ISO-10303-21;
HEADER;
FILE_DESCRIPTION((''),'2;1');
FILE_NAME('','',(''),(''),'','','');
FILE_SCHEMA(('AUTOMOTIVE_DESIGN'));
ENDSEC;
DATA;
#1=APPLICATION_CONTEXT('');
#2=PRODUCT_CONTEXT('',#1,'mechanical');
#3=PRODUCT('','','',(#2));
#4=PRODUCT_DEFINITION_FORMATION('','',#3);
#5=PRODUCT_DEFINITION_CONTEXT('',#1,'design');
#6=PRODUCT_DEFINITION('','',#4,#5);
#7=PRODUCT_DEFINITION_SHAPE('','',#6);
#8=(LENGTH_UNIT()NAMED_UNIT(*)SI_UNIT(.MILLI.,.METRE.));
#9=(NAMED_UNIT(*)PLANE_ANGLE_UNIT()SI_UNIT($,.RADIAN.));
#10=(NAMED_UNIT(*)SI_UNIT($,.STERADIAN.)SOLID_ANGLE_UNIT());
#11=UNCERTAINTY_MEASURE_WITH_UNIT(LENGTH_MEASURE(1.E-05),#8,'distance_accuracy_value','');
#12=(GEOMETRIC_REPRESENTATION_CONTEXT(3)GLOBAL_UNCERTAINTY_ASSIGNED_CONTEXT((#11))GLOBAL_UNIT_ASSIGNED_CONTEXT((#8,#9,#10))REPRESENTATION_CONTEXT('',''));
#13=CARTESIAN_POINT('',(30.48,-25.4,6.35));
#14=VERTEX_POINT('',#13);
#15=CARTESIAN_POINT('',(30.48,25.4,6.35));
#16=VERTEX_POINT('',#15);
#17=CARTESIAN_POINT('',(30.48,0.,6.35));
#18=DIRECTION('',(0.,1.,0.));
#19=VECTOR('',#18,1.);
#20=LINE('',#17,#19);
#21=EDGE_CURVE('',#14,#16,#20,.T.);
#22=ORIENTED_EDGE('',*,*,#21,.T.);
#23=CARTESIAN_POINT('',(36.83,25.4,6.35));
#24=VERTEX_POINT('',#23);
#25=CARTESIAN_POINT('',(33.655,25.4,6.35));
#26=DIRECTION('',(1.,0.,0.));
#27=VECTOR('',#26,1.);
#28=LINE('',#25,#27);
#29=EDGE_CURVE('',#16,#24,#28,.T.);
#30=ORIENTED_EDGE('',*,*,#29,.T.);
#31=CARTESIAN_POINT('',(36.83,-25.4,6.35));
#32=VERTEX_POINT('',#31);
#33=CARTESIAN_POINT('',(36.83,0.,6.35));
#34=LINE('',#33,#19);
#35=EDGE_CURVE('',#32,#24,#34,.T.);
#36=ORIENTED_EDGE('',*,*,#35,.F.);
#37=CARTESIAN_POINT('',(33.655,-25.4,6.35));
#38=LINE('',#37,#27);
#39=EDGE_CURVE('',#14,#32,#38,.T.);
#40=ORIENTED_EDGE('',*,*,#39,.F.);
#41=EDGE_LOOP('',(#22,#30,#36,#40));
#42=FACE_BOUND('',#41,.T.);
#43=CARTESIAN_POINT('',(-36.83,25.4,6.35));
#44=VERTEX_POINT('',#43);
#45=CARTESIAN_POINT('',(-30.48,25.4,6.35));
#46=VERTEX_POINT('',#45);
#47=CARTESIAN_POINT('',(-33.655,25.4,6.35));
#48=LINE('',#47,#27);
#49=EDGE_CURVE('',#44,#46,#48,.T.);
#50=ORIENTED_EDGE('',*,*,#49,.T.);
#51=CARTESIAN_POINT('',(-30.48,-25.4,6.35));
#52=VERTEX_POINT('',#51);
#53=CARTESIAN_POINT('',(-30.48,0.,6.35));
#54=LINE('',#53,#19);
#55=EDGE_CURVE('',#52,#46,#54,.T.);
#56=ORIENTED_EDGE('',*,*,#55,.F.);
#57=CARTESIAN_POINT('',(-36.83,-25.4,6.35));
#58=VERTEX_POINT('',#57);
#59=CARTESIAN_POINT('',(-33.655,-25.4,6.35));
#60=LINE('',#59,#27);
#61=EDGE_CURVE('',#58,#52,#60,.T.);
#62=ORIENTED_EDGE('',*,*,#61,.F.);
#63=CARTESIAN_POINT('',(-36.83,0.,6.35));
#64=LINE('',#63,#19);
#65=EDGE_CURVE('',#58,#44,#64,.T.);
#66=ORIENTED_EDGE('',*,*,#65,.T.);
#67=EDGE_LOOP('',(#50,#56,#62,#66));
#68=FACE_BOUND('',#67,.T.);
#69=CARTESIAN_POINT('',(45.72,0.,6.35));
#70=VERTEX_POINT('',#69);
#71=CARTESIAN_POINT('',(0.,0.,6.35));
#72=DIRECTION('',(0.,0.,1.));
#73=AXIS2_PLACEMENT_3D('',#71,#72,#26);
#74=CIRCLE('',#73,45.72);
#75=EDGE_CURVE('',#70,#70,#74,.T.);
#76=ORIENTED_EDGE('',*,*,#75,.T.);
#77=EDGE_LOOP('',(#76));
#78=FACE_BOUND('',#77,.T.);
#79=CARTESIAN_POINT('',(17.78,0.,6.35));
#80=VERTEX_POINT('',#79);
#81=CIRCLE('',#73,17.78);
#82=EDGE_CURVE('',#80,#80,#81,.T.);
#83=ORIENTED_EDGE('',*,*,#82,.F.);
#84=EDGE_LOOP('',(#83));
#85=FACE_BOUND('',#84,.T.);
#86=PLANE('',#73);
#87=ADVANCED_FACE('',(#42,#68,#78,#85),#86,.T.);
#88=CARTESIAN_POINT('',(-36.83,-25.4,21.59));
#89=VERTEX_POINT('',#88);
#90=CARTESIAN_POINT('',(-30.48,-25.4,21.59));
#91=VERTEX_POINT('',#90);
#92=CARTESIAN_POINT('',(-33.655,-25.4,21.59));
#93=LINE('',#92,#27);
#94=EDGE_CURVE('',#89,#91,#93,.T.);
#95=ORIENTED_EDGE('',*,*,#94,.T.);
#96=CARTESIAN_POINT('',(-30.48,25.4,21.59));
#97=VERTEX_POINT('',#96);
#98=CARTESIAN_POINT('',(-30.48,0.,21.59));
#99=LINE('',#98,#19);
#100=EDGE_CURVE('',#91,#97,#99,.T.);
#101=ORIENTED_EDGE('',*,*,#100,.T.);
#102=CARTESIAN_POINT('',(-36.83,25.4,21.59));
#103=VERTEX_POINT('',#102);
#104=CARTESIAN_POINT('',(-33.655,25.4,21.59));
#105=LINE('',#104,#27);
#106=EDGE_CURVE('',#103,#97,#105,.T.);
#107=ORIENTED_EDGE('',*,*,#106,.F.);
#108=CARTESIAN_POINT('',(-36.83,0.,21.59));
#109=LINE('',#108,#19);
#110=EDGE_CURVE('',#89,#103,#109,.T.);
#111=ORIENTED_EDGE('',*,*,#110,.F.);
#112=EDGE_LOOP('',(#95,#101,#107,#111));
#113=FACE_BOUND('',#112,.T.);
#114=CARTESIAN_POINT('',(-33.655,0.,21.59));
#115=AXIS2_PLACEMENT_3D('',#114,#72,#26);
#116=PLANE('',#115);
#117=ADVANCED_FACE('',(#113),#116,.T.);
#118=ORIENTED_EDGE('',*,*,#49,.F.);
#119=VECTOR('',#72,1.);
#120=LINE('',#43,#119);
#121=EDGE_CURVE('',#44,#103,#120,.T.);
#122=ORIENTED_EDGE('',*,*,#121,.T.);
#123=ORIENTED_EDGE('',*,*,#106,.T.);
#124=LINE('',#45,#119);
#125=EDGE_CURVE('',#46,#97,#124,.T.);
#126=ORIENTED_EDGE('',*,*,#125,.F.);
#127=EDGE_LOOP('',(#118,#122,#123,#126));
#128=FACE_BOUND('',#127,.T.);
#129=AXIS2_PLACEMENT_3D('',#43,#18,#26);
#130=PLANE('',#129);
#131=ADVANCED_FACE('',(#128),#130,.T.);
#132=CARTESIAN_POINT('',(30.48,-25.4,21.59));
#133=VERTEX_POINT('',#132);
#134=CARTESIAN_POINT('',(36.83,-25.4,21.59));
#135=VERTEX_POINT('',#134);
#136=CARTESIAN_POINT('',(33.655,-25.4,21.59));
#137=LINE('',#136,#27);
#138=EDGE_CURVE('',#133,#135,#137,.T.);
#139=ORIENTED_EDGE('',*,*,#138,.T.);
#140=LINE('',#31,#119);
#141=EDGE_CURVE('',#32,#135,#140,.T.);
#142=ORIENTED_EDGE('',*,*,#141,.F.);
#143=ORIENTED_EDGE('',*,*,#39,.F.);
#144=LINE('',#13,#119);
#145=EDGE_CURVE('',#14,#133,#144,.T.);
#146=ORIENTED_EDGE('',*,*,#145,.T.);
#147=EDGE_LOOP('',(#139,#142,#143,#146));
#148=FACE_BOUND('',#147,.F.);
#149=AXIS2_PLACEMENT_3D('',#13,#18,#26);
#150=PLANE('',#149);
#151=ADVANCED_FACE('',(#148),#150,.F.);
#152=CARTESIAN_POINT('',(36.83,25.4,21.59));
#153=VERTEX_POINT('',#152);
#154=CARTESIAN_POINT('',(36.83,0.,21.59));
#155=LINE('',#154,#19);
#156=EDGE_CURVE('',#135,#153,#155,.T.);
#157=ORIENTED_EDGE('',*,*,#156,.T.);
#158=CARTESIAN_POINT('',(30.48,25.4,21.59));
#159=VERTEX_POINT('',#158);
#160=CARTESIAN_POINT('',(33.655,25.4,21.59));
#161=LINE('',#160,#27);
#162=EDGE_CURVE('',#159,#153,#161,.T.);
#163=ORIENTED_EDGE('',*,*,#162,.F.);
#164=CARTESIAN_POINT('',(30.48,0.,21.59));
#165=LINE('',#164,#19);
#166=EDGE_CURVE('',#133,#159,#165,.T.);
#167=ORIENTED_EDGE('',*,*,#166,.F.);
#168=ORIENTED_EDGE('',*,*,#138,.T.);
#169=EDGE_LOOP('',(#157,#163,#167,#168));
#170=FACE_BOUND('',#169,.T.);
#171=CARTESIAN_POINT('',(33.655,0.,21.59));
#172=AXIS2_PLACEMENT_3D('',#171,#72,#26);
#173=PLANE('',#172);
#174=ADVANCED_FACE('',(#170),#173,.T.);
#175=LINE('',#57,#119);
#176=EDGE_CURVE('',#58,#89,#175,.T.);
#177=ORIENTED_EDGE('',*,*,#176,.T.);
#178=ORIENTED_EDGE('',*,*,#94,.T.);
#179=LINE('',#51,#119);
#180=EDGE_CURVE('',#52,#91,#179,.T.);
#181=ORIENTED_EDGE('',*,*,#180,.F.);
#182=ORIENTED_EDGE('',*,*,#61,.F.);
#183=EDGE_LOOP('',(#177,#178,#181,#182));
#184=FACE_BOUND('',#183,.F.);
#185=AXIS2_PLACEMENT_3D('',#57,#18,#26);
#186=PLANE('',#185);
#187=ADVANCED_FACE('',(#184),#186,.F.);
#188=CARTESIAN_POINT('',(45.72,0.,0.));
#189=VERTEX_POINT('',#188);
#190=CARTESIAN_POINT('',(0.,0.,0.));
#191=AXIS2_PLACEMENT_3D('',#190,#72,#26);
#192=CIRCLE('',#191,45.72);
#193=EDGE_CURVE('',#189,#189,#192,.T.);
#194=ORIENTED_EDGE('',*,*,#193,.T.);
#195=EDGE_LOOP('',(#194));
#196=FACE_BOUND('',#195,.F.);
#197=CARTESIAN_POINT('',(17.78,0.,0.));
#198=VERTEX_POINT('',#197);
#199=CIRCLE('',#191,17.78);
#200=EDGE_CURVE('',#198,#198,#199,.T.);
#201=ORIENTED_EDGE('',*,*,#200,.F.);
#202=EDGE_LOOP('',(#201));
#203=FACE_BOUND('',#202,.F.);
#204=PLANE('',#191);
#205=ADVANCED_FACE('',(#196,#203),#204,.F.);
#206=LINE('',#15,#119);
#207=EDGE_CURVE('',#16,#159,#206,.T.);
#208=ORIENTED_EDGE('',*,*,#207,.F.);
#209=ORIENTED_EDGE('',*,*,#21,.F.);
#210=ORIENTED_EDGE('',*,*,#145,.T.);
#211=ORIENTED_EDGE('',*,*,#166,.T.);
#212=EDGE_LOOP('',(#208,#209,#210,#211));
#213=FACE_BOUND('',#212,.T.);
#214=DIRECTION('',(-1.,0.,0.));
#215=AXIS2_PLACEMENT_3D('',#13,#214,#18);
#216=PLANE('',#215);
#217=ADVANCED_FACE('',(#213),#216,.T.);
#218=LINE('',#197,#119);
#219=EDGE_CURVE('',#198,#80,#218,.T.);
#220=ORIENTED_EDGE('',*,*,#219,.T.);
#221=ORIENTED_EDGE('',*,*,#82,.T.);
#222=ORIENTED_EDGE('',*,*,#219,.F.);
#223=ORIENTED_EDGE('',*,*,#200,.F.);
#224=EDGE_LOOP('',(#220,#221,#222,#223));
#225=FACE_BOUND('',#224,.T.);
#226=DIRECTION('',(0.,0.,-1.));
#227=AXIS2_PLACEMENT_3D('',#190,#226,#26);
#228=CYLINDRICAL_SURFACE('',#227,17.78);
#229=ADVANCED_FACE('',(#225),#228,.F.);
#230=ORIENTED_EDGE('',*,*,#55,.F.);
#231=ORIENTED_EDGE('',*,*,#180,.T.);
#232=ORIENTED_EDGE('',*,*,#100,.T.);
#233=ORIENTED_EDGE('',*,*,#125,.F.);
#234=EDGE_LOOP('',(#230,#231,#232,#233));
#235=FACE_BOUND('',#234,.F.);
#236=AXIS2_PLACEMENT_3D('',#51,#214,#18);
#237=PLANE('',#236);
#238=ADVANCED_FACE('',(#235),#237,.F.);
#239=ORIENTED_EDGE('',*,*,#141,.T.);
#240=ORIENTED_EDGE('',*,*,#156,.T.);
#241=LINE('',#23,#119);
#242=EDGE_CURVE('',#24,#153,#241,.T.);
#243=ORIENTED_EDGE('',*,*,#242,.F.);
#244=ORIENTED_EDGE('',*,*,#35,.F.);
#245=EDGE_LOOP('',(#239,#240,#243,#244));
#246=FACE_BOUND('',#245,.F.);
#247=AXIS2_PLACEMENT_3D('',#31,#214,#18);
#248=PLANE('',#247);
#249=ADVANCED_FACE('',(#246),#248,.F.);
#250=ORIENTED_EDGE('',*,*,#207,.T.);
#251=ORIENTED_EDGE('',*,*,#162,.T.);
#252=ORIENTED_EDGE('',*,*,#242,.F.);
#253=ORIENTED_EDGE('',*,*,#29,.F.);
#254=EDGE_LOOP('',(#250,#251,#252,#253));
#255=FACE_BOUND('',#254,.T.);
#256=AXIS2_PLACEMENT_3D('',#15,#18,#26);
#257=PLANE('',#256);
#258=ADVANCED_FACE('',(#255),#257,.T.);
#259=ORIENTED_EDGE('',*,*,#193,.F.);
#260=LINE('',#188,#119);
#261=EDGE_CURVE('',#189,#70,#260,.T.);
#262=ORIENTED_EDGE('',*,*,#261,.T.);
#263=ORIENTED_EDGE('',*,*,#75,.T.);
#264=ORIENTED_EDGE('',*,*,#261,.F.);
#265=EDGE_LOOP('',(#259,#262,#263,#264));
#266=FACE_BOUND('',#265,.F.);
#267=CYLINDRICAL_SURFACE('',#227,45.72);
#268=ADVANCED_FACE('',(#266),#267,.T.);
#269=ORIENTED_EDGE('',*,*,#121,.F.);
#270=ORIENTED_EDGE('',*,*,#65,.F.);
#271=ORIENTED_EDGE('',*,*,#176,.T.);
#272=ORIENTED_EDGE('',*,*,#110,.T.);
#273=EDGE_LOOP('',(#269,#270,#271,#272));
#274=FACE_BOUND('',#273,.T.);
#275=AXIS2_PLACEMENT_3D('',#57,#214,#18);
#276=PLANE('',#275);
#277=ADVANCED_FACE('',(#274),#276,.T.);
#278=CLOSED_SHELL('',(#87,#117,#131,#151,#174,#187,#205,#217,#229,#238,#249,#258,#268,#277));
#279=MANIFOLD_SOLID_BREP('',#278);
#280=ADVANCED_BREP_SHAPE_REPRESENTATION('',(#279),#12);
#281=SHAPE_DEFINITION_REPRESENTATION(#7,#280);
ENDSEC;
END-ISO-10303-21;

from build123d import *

# Parameters (mm, degrees)
F0_R     = 45.72
F0_R_2   = 17.78
F1_DEPTH = 6.35
F2_W     = 6.35
F2_H     = 50.8
F3_DEPTH = 15.24


with BuildPart() as f1:
    # F0 (on Top) → F1 (new body)
    with BuildSketch(Plane.XY):
        Circle(F0_R)
        Circle(F0_R_2, mode=Mode.SUBTRACT)
    extrude(amount=F1_DEPTH)

    # F2 (on face) → F3 (join)
    with BuildSketch(Plane.XY.offset(6.35)):
        with Locations((-33.655, 0)):
            Rectangle(F2_W, F2_H)
        with Locations((33.655, 0)):
            Rectangle(F2_W, F2_H)
    extrude(amount=F3_DEPTH)


solid = f1.part
